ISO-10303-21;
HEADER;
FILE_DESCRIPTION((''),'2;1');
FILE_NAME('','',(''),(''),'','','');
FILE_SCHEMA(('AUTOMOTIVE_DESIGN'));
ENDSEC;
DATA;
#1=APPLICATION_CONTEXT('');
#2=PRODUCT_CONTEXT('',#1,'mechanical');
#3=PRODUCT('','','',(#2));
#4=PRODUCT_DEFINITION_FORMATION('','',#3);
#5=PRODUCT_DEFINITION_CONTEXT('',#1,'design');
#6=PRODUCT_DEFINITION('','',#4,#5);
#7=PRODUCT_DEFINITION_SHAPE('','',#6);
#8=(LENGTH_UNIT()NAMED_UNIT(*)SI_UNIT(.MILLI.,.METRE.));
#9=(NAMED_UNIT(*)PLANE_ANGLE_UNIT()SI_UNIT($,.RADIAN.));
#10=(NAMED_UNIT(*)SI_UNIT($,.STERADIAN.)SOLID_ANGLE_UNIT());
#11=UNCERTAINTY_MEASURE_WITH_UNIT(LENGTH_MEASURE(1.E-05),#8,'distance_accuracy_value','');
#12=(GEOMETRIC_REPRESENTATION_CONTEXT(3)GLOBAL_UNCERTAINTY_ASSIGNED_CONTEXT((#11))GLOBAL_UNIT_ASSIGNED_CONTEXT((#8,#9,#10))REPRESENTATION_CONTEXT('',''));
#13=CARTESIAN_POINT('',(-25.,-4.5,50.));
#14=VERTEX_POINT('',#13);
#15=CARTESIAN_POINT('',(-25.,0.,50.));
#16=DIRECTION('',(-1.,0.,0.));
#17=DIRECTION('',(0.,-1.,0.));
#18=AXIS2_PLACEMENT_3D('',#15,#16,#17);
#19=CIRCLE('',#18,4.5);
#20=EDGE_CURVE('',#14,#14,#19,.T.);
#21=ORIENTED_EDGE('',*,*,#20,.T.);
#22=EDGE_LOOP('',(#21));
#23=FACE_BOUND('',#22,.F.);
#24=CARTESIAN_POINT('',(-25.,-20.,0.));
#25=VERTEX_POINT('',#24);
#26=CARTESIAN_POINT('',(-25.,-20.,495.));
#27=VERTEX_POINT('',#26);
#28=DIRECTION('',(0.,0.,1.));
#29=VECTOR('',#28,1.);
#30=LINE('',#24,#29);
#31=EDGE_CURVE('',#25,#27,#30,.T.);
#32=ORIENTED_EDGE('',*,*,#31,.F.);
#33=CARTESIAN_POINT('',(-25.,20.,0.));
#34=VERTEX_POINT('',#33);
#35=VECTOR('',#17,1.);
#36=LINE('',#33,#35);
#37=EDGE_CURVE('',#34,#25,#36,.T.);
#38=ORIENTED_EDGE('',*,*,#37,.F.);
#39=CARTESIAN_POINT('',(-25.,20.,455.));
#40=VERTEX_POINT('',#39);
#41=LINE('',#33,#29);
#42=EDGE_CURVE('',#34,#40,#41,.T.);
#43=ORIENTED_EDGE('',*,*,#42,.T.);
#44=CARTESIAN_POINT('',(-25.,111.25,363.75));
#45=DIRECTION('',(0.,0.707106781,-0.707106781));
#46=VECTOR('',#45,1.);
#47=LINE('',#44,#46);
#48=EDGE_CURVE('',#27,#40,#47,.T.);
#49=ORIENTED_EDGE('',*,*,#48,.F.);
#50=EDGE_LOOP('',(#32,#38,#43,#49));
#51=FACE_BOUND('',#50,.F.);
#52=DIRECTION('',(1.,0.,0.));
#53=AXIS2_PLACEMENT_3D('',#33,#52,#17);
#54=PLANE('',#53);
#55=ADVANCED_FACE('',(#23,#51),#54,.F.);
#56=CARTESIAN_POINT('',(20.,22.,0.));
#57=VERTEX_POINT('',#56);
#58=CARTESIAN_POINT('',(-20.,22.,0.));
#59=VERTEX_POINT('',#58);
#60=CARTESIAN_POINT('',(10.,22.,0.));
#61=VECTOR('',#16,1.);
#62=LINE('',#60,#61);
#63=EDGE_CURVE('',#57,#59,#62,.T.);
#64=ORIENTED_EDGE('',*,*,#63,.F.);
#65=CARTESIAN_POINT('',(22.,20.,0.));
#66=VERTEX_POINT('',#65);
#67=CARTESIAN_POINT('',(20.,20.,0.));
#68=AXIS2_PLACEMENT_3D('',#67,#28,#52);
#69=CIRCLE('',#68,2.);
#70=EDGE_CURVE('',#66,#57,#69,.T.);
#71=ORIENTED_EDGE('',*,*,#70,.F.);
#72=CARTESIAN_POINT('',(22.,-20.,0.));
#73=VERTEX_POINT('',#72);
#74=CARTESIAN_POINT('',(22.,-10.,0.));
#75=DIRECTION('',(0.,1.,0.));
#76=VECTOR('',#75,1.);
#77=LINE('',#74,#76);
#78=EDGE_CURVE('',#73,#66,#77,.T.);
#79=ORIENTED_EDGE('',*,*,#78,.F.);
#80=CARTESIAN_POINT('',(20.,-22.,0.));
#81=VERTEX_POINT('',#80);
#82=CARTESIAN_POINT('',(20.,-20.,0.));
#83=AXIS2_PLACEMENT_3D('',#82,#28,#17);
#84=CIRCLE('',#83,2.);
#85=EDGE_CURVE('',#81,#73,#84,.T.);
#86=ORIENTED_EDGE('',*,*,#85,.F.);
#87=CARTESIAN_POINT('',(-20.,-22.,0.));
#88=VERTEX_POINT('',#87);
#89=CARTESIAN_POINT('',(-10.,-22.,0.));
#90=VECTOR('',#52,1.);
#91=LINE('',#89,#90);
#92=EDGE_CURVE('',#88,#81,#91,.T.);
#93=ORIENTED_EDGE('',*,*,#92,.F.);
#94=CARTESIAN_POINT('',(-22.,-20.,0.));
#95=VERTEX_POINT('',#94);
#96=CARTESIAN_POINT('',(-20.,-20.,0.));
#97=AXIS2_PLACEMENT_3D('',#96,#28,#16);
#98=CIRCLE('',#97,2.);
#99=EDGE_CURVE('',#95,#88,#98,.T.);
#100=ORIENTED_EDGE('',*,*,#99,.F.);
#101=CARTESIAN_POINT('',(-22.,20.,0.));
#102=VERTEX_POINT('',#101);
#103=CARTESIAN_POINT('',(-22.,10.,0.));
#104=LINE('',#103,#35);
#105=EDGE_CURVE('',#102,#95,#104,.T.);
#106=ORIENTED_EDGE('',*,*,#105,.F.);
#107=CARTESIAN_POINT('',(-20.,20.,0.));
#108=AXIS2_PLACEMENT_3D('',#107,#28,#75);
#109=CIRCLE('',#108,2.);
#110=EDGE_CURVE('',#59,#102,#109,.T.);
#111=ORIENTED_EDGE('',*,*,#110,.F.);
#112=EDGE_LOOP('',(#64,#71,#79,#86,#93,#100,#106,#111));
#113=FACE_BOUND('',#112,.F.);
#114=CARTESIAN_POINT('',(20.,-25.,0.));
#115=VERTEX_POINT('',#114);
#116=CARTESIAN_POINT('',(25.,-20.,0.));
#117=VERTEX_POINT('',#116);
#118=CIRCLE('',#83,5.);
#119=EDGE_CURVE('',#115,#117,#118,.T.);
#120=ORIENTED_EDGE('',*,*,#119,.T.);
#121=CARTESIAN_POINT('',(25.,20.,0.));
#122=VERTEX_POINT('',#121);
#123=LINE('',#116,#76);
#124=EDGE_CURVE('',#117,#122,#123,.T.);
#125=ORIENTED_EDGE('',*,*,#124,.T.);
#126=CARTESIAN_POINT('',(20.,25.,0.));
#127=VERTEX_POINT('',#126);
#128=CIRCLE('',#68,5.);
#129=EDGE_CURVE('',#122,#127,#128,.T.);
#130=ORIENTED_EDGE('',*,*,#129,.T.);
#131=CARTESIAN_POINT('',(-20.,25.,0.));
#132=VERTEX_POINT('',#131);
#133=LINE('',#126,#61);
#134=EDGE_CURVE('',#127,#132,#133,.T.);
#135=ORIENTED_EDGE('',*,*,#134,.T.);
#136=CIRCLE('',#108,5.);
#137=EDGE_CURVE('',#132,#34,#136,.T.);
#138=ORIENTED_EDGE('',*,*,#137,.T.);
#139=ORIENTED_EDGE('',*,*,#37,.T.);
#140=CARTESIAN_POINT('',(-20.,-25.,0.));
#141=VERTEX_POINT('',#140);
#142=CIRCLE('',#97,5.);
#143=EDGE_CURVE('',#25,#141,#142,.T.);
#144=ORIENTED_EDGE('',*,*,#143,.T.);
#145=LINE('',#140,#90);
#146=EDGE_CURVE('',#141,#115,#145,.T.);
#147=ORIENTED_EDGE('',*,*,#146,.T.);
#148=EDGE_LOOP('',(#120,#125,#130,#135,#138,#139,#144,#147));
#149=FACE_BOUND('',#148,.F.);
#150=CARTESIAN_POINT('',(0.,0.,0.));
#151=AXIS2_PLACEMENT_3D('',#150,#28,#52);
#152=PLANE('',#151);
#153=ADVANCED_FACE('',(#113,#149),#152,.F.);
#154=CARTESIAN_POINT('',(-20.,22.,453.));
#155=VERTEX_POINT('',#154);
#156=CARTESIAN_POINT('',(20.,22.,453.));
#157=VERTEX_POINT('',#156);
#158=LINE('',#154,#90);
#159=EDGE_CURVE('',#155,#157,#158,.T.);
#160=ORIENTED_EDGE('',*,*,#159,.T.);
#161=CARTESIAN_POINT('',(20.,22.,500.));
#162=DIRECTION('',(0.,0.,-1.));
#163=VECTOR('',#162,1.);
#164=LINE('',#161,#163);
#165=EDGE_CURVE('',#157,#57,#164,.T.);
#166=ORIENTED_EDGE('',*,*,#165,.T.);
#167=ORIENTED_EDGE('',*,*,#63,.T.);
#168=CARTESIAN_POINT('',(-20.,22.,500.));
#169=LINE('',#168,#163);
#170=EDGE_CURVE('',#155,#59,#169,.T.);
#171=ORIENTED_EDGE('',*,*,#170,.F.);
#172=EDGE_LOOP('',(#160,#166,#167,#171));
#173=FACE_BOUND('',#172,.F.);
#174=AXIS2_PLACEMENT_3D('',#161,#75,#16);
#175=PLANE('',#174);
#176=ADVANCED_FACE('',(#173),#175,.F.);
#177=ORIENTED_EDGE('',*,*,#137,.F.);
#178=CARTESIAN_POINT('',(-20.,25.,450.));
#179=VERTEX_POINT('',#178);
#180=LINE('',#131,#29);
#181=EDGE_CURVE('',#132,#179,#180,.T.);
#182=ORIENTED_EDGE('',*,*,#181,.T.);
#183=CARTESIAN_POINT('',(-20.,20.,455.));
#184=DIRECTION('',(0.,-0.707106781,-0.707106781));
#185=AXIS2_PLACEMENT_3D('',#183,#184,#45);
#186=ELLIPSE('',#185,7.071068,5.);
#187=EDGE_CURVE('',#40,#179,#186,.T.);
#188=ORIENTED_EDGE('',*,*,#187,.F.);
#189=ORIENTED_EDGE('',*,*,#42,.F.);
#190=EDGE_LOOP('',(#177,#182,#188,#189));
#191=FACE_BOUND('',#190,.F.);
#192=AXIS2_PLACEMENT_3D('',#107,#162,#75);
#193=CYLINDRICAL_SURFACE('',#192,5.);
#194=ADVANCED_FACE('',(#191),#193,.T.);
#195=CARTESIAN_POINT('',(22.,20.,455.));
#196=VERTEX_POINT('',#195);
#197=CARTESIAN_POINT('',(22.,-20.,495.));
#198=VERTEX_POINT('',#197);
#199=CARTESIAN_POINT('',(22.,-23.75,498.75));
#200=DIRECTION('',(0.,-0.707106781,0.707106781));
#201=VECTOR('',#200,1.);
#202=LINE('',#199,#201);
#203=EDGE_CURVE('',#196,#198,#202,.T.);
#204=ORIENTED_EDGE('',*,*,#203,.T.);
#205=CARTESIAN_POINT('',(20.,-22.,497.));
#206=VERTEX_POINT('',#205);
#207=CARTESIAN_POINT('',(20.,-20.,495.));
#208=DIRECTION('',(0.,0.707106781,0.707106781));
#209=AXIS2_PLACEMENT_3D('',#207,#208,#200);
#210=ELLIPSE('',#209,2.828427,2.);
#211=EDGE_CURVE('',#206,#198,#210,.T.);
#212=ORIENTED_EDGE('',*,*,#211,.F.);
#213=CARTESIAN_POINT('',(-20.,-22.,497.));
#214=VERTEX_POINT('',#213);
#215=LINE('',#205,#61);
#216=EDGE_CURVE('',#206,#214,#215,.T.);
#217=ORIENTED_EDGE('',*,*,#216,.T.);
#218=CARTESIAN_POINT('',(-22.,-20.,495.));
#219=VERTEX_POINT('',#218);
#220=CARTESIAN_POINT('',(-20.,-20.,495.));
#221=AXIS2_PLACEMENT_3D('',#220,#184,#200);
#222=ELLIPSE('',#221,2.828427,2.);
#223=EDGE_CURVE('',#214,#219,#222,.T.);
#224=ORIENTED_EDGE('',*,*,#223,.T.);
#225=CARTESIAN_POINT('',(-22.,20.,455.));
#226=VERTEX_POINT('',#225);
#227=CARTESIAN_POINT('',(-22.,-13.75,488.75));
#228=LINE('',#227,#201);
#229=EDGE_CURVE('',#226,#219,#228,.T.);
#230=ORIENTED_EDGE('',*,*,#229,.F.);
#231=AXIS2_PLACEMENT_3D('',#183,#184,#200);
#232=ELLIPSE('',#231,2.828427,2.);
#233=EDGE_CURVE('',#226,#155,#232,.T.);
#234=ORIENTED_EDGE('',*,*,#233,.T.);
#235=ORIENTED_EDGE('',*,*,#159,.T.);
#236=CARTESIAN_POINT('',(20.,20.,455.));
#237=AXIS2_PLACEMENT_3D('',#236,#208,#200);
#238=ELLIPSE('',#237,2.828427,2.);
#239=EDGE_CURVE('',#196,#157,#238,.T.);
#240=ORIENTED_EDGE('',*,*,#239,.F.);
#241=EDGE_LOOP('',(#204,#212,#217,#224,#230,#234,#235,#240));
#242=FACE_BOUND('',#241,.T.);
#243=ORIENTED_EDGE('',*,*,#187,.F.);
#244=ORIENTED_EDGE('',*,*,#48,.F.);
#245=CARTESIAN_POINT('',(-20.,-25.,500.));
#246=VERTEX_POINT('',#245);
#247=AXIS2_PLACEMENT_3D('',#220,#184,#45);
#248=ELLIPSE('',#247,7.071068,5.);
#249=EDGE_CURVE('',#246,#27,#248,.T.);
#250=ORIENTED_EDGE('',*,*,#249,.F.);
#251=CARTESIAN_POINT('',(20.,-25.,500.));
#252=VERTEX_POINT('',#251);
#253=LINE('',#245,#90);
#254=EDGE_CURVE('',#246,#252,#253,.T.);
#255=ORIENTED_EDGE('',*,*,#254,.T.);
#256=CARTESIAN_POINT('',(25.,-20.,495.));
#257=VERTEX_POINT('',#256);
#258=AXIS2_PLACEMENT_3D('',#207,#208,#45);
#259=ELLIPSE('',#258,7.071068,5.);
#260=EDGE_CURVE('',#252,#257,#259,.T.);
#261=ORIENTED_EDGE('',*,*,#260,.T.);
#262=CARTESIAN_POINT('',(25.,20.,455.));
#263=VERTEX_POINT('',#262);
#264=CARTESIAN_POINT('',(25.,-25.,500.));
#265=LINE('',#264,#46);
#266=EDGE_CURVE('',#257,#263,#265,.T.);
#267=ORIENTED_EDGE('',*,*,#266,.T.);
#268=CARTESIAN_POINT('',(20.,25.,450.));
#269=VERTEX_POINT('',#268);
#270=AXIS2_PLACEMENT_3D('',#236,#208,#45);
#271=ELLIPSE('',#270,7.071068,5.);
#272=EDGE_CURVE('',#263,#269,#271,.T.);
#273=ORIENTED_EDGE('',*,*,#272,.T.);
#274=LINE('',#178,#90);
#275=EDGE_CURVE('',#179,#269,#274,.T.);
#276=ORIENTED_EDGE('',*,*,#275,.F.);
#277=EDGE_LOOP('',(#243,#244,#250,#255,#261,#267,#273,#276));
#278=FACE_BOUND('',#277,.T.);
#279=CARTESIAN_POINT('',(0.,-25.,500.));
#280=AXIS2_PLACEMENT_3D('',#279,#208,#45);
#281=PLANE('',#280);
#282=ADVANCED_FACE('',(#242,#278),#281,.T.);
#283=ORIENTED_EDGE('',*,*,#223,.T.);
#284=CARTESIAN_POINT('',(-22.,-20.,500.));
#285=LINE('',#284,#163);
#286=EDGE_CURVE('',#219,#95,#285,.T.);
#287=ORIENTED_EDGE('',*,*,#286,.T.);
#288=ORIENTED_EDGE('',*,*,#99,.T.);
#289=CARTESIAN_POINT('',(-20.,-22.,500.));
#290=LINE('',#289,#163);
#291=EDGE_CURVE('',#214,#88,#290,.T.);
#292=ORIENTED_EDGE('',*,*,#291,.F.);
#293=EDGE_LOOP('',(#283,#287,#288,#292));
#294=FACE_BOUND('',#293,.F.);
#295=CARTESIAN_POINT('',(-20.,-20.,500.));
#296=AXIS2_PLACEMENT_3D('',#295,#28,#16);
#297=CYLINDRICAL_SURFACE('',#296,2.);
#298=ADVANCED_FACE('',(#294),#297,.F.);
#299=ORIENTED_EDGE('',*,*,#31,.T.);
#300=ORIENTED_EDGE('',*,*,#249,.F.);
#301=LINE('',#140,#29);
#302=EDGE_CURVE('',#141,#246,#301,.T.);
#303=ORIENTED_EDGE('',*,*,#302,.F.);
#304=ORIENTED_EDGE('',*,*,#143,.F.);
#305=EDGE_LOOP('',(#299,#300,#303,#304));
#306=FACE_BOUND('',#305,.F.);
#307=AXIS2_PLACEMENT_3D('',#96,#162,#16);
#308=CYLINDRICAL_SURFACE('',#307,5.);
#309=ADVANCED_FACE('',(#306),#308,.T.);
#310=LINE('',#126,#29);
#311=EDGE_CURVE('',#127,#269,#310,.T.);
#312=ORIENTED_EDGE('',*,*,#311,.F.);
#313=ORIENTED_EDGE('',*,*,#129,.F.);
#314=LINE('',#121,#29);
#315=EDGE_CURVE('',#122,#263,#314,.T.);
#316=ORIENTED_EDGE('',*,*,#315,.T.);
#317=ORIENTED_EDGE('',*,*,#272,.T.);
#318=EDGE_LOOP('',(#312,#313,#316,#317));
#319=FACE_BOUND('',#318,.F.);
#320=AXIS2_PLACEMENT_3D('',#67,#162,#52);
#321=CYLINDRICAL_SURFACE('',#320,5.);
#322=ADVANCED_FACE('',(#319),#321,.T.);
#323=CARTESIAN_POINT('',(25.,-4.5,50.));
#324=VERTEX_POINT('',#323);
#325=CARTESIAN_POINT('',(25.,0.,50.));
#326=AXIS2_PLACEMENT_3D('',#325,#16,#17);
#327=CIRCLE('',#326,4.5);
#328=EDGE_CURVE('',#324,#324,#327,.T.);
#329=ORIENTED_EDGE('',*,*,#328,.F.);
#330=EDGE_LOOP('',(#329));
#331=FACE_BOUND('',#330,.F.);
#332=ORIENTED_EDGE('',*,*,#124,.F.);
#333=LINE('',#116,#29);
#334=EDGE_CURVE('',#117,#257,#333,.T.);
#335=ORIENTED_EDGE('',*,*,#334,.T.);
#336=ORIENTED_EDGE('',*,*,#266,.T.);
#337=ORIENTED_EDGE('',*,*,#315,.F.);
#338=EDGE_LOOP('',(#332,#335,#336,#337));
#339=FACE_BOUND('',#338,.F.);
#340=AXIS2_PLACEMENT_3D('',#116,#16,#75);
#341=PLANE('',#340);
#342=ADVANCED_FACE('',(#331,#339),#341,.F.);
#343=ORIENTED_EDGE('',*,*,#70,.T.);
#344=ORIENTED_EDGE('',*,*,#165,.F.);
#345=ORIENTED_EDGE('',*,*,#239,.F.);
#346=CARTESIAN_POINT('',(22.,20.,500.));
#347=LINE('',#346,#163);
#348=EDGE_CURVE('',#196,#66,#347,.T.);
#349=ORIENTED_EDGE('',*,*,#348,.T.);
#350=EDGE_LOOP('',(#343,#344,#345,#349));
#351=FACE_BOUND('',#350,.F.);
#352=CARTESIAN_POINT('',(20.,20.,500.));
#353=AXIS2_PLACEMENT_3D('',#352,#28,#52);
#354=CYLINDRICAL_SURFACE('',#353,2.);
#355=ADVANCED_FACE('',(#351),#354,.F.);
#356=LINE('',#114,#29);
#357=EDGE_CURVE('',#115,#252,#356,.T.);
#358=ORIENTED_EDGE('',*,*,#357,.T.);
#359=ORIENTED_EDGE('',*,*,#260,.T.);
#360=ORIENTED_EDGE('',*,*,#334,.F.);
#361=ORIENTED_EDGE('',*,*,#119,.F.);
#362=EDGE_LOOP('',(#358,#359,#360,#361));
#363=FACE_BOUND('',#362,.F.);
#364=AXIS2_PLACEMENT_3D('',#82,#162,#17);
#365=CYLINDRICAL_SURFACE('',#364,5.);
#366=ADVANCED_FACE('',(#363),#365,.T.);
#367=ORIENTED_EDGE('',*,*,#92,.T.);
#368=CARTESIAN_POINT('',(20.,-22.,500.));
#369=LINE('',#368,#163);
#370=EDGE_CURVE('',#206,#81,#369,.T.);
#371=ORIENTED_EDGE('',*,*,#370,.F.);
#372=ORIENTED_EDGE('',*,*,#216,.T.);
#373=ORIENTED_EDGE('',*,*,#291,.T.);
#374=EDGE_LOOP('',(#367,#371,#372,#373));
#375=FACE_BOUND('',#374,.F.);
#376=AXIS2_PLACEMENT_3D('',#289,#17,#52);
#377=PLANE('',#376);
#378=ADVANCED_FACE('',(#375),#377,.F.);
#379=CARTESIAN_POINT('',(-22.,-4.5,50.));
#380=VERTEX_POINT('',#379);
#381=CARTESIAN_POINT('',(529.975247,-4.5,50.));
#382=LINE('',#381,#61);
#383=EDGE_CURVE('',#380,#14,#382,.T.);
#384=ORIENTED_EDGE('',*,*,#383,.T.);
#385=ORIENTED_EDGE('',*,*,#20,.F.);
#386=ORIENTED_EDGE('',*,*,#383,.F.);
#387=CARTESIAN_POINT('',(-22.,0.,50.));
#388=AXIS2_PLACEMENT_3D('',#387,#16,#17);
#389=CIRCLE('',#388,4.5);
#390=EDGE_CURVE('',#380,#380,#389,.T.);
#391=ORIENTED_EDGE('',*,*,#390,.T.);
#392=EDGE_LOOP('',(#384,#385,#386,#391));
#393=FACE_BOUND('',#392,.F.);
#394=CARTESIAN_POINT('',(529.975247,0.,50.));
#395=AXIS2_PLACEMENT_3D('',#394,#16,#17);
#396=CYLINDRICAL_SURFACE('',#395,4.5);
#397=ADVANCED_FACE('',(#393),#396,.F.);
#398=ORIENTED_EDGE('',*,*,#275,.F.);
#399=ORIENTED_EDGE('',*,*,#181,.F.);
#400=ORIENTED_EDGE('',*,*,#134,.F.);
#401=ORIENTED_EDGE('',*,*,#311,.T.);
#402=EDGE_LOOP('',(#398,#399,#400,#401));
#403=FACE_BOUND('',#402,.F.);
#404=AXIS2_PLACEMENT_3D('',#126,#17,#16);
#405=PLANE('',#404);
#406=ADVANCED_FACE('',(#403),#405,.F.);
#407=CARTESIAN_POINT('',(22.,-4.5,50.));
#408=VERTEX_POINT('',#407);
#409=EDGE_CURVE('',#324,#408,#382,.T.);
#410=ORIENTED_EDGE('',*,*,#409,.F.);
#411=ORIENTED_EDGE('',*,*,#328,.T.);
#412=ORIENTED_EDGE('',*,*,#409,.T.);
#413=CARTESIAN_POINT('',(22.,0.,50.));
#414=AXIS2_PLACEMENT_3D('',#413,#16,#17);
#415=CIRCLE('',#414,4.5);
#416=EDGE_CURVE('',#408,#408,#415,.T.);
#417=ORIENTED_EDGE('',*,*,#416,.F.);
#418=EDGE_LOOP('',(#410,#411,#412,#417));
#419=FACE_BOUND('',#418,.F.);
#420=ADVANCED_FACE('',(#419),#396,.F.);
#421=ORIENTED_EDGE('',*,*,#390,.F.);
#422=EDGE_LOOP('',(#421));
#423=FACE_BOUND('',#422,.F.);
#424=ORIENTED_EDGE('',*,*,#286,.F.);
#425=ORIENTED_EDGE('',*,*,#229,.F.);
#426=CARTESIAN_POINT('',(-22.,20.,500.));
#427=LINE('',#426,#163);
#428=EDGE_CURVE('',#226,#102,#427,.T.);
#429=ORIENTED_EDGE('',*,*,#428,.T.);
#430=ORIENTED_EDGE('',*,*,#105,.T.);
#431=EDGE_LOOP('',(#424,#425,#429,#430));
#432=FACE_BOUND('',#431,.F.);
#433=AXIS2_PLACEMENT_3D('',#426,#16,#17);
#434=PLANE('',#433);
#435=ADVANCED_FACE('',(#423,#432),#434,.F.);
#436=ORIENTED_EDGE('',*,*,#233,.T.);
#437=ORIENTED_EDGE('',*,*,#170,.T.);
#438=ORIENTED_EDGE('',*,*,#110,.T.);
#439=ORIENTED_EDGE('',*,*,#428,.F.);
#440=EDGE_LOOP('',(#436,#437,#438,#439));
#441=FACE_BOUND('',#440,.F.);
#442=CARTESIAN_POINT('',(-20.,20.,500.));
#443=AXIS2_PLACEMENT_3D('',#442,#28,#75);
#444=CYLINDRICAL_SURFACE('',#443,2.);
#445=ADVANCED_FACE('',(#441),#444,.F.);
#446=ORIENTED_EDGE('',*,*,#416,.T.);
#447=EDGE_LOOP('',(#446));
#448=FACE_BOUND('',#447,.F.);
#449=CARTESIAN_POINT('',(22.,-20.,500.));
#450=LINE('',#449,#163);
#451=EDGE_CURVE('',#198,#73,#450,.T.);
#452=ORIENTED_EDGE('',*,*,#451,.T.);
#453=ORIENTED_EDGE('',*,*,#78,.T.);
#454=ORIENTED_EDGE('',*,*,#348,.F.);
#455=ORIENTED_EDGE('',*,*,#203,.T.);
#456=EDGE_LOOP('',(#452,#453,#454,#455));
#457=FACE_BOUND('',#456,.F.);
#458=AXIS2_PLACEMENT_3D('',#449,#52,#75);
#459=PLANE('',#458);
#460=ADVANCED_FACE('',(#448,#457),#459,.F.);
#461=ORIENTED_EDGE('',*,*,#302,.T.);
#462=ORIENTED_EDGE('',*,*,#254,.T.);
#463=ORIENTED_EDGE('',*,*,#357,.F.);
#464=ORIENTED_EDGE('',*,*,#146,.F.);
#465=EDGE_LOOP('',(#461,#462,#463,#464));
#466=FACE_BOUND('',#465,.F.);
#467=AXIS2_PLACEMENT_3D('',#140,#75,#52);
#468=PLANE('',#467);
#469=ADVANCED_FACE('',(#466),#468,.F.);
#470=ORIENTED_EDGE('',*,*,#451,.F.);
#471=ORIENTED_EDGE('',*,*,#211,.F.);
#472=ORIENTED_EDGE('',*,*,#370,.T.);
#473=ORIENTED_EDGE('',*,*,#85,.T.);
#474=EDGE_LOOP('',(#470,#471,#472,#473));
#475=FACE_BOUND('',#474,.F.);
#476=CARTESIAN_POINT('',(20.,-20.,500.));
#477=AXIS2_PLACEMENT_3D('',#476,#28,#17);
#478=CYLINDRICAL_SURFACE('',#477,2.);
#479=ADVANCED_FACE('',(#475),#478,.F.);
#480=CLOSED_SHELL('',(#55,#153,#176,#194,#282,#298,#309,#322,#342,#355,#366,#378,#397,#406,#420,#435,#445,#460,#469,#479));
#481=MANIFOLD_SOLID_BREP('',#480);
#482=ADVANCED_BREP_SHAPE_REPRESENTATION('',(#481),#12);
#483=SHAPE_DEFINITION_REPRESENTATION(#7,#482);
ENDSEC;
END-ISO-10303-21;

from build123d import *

# Parameters (mm, degrees)
F1_DEPTH      = 500
F3_DEPTH      = 500.001
F5_DEPTH      = 25.001
F5_DEPTH_BACK = 25
F7_D          = 9


with BuildPart() as f1:
    # F0 (on Top) → F1 (new body)
    with BuildSketch(Plane.XY):
        with BuildLine():
            ThreePointArc((25, 20), (23.5355339059, 23.5355339059), (20, 25))
            Line((20, 25), (-20, 25))
            ThreePointArc((-20, 25), (-23.5355339059, 23.5355339059), (-25, 20))
            Line((-25, 20), (-25, -20))
            ThreePointArc((-25, -20), (-23.5355339059, -23.5355339059), (-20, -25))
            Line((-20, -25), (20, -25))
            ThreePointArc((20, -25), (23.5355339059, -23.5355339059), (25, -20))
            Line((25, -20), (25, 20))
        make_face()
    extrude(amount=F1_DEPTH)

    # F2 (on face) → F3 (cut, through all)
    with BuildSketch(Plane.XY.offset(500)):
        with BuildLine():
            ThreePointArc((-22, -20), (-21.4142135624, -21.4142135624), (-20, -22))
            Line((-20, -22), (20, -22))
            ThreePointArc((20, -22), (21.4142135624, -21.4142135624), (22, -20))
            Line((22, -20), (22, 20))
            ThreePointArc((22, 20), (21.4142135624, 21.4142135624), (20, 22))
            Line((20, 22), (-20, 22))
            ThreePointArc((-20, 22), (-21.4142135624, 21.4142135624), (-22, 20))
            Line((-22, 20), (-22, -20))
        make_face()
    extrude(amount=-F3_DEPTH, mode=Mode.SUBTRACT)

    # F4 (on Right) → F5 (cut, two sides)
    with BuildSketch(Plane.YZ) as f5_sk:
        Polygon((25, 500), (-25, 500), (25, 450), align=None)
    extrude(amount=-F5_DEPTH, mode=Mode.SUBTRACT)
    extrude(f5_sk.sketch, amount=F5_DEPTH_BACK, mode=Mode.SUBTRACT)

    # F7 (through all)
    with Locations(Plane.YZ.offset(25)):
        with Locations((0, 50)):
            Hole(F7_D / 2)


solid = f1.part
